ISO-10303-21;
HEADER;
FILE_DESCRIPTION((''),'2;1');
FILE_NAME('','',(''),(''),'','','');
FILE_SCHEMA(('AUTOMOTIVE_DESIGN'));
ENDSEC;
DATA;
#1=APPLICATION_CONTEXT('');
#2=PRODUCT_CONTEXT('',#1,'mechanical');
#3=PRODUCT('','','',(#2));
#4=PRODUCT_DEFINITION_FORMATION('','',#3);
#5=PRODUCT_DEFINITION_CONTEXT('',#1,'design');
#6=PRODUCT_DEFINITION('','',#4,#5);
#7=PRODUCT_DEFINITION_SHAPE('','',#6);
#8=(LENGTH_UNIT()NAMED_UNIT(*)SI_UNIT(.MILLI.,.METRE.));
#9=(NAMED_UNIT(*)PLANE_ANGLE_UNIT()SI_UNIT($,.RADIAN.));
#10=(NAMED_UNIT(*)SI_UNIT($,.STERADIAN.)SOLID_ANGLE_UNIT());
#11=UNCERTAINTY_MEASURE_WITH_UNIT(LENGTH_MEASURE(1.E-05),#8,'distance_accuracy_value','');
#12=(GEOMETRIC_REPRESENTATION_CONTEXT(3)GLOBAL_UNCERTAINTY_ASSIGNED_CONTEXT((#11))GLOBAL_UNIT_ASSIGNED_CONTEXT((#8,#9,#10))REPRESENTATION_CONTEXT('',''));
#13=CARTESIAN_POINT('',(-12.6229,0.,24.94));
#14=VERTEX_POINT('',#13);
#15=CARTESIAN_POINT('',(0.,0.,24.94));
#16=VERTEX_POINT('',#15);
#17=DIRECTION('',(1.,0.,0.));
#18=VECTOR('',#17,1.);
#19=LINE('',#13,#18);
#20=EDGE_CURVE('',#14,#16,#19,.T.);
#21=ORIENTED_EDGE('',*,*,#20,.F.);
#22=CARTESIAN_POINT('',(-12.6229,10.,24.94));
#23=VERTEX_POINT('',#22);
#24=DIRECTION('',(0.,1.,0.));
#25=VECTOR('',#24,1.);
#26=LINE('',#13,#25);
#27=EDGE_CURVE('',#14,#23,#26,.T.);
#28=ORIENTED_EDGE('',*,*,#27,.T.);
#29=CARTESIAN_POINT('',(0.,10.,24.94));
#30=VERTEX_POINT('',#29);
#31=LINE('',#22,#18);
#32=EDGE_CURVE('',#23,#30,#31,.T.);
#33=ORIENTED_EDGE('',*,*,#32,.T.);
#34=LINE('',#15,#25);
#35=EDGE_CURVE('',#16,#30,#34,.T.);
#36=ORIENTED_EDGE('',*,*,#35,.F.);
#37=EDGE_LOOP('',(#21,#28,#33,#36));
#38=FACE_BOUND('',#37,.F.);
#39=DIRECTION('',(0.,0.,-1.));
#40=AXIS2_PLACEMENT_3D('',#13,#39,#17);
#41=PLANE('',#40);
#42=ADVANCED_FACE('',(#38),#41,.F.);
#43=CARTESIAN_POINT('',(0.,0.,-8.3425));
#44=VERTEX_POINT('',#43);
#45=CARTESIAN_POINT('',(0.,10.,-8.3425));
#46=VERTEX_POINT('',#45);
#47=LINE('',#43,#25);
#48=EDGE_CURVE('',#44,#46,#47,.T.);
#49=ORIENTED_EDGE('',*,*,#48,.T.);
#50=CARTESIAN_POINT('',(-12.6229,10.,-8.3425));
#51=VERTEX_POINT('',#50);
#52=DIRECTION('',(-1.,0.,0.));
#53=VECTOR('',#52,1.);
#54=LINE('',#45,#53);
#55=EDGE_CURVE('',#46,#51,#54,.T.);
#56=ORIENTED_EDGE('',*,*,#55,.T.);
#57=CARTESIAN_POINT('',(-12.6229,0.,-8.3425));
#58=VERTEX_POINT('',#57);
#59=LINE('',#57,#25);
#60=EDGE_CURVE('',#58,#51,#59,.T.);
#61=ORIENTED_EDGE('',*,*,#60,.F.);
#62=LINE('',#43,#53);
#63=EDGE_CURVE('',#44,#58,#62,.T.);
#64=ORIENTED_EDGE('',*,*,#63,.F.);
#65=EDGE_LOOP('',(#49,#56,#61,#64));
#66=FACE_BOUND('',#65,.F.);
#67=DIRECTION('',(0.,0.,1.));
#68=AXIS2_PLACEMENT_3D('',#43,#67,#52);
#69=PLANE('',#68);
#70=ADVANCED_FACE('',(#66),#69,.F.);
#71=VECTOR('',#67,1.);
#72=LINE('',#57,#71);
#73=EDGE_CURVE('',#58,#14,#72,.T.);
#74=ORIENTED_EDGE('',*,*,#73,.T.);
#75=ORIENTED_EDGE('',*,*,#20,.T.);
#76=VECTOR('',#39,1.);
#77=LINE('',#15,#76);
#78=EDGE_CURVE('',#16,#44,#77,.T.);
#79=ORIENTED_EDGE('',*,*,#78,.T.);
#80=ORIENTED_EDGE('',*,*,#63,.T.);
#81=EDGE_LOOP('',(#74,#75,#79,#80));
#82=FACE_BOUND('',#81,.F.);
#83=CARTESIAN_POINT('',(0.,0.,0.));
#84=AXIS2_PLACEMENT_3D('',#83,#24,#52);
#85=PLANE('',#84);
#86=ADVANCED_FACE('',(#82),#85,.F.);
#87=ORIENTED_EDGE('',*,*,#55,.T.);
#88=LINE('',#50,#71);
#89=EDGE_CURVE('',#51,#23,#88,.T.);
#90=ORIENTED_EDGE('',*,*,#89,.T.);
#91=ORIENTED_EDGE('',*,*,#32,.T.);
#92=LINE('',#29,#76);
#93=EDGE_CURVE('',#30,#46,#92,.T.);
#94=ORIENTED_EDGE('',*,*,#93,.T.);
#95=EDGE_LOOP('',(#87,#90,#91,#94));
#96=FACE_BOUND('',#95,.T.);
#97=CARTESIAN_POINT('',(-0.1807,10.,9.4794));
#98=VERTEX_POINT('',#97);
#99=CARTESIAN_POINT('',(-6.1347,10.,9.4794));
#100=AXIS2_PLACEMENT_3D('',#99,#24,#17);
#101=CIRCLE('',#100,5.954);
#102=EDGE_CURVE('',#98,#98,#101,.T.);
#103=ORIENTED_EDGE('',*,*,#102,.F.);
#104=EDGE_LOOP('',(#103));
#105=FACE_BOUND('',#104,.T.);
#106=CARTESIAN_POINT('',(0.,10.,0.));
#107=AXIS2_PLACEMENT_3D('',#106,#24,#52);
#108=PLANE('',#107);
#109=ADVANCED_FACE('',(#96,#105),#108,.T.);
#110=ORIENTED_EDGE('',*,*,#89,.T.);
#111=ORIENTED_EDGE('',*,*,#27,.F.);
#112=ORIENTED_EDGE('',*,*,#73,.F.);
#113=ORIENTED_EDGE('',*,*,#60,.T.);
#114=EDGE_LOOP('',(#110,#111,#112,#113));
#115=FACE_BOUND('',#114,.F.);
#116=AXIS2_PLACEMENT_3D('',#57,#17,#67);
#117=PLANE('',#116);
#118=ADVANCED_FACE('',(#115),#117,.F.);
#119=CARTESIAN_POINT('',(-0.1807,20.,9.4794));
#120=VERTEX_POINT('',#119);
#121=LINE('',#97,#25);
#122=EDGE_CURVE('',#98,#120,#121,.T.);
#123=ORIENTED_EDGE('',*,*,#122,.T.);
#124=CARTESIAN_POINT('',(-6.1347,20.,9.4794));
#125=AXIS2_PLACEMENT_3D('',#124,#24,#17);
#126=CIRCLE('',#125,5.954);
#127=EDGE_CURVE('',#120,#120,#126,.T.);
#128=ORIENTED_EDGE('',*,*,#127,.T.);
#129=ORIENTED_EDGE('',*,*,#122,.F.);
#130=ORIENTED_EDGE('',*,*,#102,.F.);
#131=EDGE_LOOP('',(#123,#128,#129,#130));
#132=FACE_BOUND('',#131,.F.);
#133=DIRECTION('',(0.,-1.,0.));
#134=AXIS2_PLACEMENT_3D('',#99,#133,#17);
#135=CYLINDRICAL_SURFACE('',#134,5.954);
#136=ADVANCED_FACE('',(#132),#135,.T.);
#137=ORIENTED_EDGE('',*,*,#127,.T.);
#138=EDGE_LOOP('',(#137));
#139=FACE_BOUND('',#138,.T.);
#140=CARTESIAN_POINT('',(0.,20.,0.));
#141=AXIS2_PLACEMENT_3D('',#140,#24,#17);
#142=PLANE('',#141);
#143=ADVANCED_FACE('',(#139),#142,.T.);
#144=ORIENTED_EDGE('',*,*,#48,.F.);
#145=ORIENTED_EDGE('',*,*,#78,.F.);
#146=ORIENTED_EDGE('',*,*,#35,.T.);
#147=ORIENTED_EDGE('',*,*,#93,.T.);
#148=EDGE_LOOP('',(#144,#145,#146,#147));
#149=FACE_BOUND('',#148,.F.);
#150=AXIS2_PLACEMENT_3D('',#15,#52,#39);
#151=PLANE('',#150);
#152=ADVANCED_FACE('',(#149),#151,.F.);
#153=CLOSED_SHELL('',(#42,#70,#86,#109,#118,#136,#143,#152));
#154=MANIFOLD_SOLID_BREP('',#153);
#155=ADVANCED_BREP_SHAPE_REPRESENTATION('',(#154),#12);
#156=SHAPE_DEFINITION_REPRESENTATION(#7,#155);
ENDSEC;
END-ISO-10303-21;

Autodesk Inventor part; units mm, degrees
ref_plane "YZ Plane" through (0, 0, 0) normal (1, 0, 0) x (0, 1, 0)
ref_plane "XZ Plane" through (0, 0, 0) normal (0, 1, 0) x (-1, 0, 0)
ref_plane "XY Plane" through (0, 0, 0) normal (0, 0, 1) x (1, 0, 0)
sketch "Sketch1" plane through (0, 0, 0) normal (0, 1, 0) x (-1, 0, 0)
  line L0 (12.6229, 24.94) -> (0, 24.94)
  line L1 (0, 24.94) -> (0, -8.3425)
  line L2 (0, -8.3425) -> (12.6229, -8.3425)
  line L3 (12.6229, -8.3425) -> (12.6229, 24.94)
  line L4 (12.6229, 24.94) -> (0, -8.3425) construction
  line L5 (0, 24.94) -> (12.6229, -8.3425) construction
  point P0 (0, 0)
  point P1 (6.3114, 8.2988)
extrude "Extrusion1" add sketch "Sketch1" along normal blind 10
sketch "Sketch2" plane through (0, 10, 0) normal (0, 1, 0) x (1, 0, 0)
  circle A0 centre (-6.1347, -9.4794) radius 5.954
  point P0 (0, 0)
extrude "Extrusion2" add sketch "Sketch2" along normal blind 10
properties part number "mass applied" material "Iron, Cast"
